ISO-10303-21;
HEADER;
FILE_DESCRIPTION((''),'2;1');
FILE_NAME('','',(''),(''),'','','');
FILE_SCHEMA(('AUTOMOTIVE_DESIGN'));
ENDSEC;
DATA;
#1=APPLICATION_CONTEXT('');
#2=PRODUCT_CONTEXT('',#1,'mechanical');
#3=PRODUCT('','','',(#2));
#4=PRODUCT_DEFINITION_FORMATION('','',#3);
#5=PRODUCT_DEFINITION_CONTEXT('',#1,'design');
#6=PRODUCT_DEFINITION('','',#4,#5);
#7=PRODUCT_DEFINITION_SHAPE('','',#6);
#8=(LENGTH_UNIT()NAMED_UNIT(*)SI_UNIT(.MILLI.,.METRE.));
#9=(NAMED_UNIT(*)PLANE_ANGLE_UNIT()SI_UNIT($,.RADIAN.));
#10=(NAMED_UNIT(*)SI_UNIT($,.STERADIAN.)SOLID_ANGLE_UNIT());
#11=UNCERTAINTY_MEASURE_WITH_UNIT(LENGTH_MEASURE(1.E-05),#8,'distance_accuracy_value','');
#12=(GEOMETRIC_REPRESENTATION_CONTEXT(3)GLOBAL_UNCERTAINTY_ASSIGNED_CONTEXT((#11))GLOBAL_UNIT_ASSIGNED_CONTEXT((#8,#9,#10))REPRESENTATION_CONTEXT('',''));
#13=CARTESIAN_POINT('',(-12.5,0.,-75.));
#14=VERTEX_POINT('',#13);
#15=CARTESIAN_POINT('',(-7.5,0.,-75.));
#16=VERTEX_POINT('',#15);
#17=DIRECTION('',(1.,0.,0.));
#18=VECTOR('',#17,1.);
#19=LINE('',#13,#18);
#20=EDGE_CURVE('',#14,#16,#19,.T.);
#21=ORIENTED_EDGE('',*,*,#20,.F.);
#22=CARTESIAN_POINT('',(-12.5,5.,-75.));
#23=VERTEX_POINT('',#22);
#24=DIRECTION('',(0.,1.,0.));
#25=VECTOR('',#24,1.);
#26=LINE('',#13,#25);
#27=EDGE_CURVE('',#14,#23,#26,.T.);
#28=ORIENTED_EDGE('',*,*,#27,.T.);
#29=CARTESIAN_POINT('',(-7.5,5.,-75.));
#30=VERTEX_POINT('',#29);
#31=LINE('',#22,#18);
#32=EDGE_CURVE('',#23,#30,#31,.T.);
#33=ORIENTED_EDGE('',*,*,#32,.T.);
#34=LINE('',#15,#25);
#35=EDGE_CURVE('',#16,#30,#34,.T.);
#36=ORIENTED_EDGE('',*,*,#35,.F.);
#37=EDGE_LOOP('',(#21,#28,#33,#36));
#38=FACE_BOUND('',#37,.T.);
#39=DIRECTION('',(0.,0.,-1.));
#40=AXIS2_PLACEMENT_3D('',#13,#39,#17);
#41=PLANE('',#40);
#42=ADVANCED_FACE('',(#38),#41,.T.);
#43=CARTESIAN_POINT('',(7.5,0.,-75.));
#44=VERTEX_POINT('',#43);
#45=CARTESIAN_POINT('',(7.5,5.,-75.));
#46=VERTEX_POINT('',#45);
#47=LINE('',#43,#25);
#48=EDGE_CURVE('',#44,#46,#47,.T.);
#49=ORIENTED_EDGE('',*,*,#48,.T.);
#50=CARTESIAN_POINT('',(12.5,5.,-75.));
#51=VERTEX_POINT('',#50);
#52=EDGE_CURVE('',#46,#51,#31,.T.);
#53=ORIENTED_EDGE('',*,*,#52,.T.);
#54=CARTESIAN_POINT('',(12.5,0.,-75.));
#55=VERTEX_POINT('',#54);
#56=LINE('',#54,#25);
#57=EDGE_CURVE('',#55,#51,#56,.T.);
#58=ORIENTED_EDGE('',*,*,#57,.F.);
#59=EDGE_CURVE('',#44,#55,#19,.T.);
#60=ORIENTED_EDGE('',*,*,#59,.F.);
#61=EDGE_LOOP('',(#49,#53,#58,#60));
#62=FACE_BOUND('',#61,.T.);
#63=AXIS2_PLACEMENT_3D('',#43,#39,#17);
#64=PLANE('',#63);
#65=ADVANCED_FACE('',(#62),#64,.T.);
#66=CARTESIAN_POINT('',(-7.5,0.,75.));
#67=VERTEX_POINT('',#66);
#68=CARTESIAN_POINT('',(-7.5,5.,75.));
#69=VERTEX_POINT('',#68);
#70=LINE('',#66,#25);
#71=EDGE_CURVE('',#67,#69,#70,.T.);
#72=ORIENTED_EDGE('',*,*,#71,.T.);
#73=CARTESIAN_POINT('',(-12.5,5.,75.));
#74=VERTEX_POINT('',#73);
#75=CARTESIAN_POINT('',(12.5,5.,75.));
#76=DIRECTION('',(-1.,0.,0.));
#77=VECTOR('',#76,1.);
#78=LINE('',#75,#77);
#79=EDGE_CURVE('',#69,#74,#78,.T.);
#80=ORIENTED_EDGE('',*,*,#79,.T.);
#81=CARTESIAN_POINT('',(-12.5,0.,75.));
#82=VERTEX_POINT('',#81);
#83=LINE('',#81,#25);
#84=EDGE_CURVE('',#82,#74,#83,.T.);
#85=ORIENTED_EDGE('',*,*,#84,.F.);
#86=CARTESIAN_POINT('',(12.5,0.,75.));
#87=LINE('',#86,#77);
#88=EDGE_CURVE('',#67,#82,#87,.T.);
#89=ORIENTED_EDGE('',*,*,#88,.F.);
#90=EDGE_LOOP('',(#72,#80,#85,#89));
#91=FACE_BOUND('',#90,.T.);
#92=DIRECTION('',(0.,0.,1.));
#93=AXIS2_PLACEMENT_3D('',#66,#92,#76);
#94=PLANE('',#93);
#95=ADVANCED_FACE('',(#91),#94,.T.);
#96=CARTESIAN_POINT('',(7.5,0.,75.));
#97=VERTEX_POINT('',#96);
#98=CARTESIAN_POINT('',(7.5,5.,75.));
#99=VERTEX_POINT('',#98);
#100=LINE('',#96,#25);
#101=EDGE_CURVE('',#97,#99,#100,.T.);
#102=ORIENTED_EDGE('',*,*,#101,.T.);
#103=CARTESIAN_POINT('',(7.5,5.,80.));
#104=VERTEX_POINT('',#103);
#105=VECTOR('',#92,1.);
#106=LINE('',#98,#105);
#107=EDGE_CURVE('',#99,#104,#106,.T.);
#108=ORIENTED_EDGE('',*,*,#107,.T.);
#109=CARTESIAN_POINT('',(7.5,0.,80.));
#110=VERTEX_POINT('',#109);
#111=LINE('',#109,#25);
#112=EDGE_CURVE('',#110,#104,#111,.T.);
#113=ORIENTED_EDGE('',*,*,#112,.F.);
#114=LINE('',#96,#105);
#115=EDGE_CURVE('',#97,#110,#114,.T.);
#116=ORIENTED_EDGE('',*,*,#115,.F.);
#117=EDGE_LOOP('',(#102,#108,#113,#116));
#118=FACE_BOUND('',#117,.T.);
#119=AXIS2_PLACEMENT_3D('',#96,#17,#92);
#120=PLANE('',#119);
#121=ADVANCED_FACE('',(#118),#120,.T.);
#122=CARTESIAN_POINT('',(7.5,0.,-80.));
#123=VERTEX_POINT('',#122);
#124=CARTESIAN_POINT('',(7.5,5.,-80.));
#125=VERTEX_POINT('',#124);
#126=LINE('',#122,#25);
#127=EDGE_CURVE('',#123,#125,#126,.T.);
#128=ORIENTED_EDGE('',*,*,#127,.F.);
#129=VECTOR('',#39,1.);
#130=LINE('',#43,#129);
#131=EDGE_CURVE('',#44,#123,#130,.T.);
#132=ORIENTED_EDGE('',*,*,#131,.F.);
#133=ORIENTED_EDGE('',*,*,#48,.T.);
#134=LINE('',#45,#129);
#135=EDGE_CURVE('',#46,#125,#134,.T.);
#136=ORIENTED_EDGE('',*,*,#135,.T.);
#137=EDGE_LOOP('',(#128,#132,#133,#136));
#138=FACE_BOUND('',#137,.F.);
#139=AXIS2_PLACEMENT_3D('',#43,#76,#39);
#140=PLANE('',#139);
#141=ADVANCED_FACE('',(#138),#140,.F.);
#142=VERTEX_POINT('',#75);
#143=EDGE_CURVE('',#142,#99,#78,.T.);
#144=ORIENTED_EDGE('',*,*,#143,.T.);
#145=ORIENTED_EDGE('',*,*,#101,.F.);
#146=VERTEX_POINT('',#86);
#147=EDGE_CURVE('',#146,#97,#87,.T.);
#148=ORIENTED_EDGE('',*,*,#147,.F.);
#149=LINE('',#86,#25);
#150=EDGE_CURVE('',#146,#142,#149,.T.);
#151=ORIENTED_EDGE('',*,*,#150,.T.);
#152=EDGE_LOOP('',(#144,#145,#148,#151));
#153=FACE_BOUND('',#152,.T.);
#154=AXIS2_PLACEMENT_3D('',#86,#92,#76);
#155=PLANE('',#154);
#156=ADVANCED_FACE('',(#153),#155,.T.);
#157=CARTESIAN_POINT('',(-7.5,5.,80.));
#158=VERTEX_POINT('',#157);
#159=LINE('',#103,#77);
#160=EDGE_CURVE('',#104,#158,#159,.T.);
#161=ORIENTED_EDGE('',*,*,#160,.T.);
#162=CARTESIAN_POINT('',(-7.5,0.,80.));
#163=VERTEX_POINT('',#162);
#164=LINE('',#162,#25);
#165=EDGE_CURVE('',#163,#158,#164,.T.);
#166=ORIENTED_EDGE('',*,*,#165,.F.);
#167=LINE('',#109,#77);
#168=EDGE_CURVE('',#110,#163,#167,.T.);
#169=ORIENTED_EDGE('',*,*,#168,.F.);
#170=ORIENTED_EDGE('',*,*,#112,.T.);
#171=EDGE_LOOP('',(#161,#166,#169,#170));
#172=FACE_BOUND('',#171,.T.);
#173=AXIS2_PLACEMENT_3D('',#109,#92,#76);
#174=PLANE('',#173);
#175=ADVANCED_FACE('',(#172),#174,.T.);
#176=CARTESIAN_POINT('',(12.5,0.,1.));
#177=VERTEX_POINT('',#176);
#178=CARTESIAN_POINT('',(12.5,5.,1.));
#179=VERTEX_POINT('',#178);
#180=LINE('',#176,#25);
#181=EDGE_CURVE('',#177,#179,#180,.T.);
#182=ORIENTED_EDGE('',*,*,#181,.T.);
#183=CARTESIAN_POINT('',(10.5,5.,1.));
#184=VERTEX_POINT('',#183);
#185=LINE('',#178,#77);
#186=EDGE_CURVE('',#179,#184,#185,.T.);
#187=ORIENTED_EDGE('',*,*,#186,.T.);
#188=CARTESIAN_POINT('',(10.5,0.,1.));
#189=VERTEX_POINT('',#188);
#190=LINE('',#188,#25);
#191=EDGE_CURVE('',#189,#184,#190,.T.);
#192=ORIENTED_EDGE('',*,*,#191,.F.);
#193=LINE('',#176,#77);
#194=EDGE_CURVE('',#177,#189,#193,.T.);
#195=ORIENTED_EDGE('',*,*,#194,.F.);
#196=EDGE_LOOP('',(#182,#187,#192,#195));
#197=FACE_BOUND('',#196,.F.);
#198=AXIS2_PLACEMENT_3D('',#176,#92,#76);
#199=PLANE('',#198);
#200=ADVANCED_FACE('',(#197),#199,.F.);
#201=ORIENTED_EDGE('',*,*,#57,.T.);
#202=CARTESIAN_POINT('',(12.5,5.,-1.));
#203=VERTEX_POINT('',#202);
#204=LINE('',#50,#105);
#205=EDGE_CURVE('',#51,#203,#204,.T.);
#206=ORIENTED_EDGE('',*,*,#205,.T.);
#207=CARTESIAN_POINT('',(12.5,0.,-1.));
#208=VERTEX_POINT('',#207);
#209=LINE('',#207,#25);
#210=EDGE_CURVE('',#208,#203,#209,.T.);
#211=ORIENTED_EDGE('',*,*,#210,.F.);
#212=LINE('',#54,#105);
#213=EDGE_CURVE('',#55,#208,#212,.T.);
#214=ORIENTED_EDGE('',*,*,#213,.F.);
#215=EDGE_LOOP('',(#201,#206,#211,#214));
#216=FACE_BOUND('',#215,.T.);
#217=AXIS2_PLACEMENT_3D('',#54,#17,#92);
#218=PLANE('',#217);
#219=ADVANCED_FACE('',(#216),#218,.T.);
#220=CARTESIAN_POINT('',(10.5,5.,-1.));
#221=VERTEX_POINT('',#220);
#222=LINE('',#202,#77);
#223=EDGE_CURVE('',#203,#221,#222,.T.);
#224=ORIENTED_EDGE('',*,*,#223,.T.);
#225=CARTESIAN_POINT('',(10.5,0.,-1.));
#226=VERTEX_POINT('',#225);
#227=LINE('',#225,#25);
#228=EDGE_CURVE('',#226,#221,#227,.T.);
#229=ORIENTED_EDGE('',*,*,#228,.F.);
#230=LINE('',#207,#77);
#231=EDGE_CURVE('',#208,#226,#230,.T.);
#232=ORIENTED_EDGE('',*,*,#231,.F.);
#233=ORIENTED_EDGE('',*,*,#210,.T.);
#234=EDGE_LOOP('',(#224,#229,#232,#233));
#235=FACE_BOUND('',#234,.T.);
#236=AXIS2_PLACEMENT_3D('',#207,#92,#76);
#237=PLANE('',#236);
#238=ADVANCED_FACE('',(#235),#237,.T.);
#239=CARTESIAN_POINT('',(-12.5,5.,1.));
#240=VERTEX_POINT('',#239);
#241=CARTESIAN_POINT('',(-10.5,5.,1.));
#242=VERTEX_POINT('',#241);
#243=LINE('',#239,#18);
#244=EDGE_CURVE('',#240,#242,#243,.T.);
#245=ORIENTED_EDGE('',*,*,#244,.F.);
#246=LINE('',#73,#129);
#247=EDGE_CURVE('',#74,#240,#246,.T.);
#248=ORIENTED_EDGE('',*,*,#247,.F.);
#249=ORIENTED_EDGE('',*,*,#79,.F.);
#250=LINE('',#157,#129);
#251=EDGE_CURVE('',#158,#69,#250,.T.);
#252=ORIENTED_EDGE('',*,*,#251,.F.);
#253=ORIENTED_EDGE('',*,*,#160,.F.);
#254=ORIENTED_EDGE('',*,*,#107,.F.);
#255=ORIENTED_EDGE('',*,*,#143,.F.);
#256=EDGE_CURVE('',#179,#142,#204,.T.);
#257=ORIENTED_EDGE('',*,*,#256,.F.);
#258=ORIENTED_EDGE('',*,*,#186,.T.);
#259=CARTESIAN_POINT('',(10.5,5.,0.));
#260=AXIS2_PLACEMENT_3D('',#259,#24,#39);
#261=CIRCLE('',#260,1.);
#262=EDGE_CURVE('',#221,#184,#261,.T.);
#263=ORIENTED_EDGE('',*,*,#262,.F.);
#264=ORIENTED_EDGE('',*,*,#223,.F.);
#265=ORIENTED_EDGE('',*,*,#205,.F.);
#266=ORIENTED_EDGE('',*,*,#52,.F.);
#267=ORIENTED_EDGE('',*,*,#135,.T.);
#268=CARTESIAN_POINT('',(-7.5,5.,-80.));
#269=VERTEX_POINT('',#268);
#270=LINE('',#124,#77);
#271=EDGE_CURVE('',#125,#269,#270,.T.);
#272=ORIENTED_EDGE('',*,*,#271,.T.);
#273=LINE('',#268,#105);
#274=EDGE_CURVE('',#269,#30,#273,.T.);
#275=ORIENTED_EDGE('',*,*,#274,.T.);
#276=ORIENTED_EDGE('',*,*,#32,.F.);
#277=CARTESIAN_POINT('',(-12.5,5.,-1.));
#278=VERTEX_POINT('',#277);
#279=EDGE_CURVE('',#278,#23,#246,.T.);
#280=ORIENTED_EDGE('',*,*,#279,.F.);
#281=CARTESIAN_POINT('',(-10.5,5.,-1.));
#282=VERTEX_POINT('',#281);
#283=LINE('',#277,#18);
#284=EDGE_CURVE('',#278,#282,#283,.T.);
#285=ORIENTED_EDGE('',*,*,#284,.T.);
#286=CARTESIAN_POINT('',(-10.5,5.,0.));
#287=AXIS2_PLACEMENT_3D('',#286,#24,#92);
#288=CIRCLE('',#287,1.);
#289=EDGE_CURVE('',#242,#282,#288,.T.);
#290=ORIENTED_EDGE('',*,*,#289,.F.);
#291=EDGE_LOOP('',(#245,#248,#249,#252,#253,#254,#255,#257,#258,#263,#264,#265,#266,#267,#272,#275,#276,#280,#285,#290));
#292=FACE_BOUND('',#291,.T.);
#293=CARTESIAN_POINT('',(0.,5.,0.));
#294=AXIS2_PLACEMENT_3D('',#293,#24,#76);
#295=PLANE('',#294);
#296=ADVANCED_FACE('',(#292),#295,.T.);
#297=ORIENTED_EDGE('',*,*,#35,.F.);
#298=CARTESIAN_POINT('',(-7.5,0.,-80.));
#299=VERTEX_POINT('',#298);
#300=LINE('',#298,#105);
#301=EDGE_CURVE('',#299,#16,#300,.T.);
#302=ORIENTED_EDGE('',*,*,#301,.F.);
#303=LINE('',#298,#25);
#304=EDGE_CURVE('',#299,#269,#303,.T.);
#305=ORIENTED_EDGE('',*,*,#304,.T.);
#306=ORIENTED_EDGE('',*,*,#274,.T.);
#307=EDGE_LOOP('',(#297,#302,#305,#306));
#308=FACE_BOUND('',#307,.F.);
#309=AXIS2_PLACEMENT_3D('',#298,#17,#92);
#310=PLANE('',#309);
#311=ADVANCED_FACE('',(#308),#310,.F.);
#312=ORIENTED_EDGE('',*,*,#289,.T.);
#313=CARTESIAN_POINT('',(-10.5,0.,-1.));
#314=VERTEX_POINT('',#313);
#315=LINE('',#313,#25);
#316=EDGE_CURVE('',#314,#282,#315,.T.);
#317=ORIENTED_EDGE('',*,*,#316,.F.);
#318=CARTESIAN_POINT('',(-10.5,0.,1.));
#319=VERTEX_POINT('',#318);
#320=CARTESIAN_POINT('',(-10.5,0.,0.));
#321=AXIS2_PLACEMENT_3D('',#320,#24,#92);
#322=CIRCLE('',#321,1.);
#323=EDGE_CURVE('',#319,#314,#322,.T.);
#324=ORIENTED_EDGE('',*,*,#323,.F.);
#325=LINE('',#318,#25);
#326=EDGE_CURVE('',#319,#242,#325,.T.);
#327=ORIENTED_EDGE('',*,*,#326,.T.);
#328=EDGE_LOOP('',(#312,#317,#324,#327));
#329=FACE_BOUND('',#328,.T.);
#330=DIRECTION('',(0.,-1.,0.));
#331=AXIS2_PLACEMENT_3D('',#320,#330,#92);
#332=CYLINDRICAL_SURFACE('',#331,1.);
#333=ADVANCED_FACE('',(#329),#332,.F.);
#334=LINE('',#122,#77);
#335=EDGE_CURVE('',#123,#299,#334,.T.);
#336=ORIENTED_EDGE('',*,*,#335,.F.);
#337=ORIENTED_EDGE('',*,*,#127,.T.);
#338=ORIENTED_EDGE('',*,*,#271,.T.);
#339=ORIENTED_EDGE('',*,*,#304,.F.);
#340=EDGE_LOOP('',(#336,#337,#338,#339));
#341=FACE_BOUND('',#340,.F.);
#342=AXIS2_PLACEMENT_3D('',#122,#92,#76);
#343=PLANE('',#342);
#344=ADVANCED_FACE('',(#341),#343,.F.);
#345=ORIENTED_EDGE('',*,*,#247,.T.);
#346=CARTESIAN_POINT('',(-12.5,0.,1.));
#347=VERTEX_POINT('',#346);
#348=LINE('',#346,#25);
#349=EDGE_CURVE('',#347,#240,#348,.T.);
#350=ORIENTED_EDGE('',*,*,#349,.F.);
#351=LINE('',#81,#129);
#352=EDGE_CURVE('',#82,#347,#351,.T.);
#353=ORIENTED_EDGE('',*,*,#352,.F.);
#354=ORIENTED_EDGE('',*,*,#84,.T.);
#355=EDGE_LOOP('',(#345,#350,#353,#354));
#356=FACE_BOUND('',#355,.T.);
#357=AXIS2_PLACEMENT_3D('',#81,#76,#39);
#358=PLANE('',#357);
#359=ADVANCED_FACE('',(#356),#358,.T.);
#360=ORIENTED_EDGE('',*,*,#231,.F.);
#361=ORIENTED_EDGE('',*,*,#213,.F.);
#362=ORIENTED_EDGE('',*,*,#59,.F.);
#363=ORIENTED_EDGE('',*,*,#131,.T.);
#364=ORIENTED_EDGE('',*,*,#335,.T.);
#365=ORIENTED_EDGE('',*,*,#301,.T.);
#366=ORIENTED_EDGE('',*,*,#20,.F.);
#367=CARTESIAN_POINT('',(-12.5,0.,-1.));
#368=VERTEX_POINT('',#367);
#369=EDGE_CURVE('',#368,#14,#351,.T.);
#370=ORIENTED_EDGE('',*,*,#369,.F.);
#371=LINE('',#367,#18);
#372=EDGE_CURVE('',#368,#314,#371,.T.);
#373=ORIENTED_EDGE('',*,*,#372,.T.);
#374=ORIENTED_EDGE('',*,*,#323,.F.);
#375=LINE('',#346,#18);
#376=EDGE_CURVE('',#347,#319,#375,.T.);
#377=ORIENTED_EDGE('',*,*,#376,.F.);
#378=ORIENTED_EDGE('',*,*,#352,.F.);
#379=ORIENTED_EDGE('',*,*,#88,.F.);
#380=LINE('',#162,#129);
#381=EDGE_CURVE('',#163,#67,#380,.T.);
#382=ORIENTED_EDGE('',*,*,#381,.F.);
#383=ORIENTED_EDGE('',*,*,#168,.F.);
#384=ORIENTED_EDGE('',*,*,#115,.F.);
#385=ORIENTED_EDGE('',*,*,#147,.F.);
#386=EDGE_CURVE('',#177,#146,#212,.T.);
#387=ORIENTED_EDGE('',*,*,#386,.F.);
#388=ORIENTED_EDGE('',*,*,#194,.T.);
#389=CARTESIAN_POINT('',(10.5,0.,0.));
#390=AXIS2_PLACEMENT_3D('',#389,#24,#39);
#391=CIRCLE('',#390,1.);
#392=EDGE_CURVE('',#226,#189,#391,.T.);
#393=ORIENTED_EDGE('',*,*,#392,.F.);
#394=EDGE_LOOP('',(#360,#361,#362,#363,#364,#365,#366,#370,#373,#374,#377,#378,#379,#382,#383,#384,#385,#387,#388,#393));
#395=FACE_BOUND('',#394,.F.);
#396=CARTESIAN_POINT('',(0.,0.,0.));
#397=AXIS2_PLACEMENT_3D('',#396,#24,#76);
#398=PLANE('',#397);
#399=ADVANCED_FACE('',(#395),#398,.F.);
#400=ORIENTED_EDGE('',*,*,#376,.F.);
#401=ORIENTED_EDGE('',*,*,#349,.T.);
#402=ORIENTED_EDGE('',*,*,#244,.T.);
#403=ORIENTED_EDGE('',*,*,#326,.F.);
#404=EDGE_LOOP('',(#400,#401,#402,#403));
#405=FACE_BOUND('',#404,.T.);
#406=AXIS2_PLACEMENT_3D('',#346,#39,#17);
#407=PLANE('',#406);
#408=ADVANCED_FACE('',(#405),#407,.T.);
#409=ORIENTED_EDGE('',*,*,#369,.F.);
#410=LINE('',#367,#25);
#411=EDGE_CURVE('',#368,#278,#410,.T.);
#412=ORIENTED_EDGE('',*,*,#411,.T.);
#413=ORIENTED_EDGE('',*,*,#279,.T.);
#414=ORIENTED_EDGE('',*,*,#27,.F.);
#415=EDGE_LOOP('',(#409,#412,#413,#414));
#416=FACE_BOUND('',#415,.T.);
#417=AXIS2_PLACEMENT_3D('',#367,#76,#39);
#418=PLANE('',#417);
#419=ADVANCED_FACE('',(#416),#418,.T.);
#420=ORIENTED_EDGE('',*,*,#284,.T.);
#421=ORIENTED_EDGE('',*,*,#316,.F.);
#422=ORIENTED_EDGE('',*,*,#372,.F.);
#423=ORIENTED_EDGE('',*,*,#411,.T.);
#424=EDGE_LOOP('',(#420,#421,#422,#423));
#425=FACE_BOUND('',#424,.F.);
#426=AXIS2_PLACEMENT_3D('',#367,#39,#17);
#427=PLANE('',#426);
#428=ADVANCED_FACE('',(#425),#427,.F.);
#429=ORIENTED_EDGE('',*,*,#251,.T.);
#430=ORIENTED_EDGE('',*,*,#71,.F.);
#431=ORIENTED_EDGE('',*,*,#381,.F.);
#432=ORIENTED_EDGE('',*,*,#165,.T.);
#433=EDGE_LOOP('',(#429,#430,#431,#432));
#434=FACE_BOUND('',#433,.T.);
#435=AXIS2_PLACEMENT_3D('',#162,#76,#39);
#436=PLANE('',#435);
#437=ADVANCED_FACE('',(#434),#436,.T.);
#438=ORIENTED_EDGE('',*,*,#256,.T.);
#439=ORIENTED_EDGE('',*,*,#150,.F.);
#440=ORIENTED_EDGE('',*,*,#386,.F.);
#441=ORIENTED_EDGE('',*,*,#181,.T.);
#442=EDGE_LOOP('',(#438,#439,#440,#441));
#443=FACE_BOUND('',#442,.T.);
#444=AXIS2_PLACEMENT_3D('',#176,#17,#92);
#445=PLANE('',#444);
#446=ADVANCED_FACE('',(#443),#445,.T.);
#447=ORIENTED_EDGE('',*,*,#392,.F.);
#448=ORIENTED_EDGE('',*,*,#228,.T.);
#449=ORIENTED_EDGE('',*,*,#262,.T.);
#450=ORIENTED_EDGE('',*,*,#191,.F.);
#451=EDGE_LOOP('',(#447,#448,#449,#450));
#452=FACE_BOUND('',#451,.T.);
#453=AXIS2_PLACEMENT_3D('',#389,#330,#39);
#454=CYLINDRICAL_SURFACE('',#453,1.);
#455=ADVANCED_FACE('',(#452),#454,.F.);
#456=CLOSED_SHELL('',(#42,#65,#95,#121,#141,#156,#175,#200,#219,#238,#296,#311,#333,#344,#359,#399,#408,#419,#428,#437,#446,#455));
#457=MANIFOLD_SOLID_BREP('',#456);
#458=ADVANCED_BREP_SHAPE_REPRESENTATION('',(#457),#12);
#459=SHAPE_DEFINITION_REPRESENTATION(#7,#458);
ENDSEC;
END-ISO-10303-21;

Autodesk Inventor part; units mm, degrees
ref_plane "YZ Plane" through (0, 0, 0) normal (1, 0, 0) x (0, 1, 0)
ref_plane "XZ Plane" through (0, 0, 0) normal (0, 1, 0) x (-1, 0, 0)
ref_plane "XY Plane" through (0, 0, 0) normal (0, 0, 1) x (1, 0, 0)
sketch "Skizze1" plane through (0, 0, 0) normal (0, 1, 0) x (-1, 0, 0)
  line L0 (12.5, -75) -> (-12.5, -75)
  line L1 (-12.5, -75) -> (-12.5, 75)
  line L2 (-12.5, 75) -> (12.5, 75)
  line L3 (12.5, 75) -> (12.5, -75)
  line L4 (12.5, -75) -> (-12.5, 75) construction
  line L5 (12.5, 75) -> (-12.5, -75) construction
  line L6 (7.5, -75) -> (-7.5, -75)
  line L7 (-7.5, -75) -> (-7.5, -80)
  line L8 (-7.5, -80) -> (7.5, -80)
  line L9 (7.5, -80) -> (7.5, -75)
  line L10 (7.5, 75) -> (-7.5, 75)
  line L11 (-7.5, 75) -> (-7.5, 80)
  line L12 (-7.5, 80) -> (7.5, 80)
  line L13 (7.5, 80) -> (7.5, 75)
  line L14 (12.5, -1) -> (10.5, -1)
  line L15 (12.5, 1) -> (10.5, 1)
  line L16 (-12.5, -1) -> (-10.5, -1)
  line L17 (-12.5, 1) -> (-10.5, 1)
  arc A0 (10.5, 1) -> (10.5, -1) centre (10.5, 0) ccw
  arc A1 (-10.5, -1) -> (-10.5, 1) centre (-10.5, 0) ccw
  point P0 (0, 0)
  point P1 (0, 0)
  point P2 (7.5, -77.5)
  point P3 (0, 0)
  point P4 (-7.5, 75)
  point P5 (-7.5, -75)
  dimension "d0" = 150
  dimension "d1" = 5
  dimension "d2" = 5
  dimension "d3" = 5
  dimension "d4" = 15
  dimension "d5" = 2
  dimension "d6" = 2
  dimension "d7" = 1
extrude "Extrusion1" add sketch "Skizze1" along normal blind 5 contours L0 L1 L16 A1 L17 L2 L3 L15 A0 L14 | L9 L8 L7 L0 | L2 L11 L12 L13
equation "\"t\" = 15"
properties part number "Verbinder_t80"
